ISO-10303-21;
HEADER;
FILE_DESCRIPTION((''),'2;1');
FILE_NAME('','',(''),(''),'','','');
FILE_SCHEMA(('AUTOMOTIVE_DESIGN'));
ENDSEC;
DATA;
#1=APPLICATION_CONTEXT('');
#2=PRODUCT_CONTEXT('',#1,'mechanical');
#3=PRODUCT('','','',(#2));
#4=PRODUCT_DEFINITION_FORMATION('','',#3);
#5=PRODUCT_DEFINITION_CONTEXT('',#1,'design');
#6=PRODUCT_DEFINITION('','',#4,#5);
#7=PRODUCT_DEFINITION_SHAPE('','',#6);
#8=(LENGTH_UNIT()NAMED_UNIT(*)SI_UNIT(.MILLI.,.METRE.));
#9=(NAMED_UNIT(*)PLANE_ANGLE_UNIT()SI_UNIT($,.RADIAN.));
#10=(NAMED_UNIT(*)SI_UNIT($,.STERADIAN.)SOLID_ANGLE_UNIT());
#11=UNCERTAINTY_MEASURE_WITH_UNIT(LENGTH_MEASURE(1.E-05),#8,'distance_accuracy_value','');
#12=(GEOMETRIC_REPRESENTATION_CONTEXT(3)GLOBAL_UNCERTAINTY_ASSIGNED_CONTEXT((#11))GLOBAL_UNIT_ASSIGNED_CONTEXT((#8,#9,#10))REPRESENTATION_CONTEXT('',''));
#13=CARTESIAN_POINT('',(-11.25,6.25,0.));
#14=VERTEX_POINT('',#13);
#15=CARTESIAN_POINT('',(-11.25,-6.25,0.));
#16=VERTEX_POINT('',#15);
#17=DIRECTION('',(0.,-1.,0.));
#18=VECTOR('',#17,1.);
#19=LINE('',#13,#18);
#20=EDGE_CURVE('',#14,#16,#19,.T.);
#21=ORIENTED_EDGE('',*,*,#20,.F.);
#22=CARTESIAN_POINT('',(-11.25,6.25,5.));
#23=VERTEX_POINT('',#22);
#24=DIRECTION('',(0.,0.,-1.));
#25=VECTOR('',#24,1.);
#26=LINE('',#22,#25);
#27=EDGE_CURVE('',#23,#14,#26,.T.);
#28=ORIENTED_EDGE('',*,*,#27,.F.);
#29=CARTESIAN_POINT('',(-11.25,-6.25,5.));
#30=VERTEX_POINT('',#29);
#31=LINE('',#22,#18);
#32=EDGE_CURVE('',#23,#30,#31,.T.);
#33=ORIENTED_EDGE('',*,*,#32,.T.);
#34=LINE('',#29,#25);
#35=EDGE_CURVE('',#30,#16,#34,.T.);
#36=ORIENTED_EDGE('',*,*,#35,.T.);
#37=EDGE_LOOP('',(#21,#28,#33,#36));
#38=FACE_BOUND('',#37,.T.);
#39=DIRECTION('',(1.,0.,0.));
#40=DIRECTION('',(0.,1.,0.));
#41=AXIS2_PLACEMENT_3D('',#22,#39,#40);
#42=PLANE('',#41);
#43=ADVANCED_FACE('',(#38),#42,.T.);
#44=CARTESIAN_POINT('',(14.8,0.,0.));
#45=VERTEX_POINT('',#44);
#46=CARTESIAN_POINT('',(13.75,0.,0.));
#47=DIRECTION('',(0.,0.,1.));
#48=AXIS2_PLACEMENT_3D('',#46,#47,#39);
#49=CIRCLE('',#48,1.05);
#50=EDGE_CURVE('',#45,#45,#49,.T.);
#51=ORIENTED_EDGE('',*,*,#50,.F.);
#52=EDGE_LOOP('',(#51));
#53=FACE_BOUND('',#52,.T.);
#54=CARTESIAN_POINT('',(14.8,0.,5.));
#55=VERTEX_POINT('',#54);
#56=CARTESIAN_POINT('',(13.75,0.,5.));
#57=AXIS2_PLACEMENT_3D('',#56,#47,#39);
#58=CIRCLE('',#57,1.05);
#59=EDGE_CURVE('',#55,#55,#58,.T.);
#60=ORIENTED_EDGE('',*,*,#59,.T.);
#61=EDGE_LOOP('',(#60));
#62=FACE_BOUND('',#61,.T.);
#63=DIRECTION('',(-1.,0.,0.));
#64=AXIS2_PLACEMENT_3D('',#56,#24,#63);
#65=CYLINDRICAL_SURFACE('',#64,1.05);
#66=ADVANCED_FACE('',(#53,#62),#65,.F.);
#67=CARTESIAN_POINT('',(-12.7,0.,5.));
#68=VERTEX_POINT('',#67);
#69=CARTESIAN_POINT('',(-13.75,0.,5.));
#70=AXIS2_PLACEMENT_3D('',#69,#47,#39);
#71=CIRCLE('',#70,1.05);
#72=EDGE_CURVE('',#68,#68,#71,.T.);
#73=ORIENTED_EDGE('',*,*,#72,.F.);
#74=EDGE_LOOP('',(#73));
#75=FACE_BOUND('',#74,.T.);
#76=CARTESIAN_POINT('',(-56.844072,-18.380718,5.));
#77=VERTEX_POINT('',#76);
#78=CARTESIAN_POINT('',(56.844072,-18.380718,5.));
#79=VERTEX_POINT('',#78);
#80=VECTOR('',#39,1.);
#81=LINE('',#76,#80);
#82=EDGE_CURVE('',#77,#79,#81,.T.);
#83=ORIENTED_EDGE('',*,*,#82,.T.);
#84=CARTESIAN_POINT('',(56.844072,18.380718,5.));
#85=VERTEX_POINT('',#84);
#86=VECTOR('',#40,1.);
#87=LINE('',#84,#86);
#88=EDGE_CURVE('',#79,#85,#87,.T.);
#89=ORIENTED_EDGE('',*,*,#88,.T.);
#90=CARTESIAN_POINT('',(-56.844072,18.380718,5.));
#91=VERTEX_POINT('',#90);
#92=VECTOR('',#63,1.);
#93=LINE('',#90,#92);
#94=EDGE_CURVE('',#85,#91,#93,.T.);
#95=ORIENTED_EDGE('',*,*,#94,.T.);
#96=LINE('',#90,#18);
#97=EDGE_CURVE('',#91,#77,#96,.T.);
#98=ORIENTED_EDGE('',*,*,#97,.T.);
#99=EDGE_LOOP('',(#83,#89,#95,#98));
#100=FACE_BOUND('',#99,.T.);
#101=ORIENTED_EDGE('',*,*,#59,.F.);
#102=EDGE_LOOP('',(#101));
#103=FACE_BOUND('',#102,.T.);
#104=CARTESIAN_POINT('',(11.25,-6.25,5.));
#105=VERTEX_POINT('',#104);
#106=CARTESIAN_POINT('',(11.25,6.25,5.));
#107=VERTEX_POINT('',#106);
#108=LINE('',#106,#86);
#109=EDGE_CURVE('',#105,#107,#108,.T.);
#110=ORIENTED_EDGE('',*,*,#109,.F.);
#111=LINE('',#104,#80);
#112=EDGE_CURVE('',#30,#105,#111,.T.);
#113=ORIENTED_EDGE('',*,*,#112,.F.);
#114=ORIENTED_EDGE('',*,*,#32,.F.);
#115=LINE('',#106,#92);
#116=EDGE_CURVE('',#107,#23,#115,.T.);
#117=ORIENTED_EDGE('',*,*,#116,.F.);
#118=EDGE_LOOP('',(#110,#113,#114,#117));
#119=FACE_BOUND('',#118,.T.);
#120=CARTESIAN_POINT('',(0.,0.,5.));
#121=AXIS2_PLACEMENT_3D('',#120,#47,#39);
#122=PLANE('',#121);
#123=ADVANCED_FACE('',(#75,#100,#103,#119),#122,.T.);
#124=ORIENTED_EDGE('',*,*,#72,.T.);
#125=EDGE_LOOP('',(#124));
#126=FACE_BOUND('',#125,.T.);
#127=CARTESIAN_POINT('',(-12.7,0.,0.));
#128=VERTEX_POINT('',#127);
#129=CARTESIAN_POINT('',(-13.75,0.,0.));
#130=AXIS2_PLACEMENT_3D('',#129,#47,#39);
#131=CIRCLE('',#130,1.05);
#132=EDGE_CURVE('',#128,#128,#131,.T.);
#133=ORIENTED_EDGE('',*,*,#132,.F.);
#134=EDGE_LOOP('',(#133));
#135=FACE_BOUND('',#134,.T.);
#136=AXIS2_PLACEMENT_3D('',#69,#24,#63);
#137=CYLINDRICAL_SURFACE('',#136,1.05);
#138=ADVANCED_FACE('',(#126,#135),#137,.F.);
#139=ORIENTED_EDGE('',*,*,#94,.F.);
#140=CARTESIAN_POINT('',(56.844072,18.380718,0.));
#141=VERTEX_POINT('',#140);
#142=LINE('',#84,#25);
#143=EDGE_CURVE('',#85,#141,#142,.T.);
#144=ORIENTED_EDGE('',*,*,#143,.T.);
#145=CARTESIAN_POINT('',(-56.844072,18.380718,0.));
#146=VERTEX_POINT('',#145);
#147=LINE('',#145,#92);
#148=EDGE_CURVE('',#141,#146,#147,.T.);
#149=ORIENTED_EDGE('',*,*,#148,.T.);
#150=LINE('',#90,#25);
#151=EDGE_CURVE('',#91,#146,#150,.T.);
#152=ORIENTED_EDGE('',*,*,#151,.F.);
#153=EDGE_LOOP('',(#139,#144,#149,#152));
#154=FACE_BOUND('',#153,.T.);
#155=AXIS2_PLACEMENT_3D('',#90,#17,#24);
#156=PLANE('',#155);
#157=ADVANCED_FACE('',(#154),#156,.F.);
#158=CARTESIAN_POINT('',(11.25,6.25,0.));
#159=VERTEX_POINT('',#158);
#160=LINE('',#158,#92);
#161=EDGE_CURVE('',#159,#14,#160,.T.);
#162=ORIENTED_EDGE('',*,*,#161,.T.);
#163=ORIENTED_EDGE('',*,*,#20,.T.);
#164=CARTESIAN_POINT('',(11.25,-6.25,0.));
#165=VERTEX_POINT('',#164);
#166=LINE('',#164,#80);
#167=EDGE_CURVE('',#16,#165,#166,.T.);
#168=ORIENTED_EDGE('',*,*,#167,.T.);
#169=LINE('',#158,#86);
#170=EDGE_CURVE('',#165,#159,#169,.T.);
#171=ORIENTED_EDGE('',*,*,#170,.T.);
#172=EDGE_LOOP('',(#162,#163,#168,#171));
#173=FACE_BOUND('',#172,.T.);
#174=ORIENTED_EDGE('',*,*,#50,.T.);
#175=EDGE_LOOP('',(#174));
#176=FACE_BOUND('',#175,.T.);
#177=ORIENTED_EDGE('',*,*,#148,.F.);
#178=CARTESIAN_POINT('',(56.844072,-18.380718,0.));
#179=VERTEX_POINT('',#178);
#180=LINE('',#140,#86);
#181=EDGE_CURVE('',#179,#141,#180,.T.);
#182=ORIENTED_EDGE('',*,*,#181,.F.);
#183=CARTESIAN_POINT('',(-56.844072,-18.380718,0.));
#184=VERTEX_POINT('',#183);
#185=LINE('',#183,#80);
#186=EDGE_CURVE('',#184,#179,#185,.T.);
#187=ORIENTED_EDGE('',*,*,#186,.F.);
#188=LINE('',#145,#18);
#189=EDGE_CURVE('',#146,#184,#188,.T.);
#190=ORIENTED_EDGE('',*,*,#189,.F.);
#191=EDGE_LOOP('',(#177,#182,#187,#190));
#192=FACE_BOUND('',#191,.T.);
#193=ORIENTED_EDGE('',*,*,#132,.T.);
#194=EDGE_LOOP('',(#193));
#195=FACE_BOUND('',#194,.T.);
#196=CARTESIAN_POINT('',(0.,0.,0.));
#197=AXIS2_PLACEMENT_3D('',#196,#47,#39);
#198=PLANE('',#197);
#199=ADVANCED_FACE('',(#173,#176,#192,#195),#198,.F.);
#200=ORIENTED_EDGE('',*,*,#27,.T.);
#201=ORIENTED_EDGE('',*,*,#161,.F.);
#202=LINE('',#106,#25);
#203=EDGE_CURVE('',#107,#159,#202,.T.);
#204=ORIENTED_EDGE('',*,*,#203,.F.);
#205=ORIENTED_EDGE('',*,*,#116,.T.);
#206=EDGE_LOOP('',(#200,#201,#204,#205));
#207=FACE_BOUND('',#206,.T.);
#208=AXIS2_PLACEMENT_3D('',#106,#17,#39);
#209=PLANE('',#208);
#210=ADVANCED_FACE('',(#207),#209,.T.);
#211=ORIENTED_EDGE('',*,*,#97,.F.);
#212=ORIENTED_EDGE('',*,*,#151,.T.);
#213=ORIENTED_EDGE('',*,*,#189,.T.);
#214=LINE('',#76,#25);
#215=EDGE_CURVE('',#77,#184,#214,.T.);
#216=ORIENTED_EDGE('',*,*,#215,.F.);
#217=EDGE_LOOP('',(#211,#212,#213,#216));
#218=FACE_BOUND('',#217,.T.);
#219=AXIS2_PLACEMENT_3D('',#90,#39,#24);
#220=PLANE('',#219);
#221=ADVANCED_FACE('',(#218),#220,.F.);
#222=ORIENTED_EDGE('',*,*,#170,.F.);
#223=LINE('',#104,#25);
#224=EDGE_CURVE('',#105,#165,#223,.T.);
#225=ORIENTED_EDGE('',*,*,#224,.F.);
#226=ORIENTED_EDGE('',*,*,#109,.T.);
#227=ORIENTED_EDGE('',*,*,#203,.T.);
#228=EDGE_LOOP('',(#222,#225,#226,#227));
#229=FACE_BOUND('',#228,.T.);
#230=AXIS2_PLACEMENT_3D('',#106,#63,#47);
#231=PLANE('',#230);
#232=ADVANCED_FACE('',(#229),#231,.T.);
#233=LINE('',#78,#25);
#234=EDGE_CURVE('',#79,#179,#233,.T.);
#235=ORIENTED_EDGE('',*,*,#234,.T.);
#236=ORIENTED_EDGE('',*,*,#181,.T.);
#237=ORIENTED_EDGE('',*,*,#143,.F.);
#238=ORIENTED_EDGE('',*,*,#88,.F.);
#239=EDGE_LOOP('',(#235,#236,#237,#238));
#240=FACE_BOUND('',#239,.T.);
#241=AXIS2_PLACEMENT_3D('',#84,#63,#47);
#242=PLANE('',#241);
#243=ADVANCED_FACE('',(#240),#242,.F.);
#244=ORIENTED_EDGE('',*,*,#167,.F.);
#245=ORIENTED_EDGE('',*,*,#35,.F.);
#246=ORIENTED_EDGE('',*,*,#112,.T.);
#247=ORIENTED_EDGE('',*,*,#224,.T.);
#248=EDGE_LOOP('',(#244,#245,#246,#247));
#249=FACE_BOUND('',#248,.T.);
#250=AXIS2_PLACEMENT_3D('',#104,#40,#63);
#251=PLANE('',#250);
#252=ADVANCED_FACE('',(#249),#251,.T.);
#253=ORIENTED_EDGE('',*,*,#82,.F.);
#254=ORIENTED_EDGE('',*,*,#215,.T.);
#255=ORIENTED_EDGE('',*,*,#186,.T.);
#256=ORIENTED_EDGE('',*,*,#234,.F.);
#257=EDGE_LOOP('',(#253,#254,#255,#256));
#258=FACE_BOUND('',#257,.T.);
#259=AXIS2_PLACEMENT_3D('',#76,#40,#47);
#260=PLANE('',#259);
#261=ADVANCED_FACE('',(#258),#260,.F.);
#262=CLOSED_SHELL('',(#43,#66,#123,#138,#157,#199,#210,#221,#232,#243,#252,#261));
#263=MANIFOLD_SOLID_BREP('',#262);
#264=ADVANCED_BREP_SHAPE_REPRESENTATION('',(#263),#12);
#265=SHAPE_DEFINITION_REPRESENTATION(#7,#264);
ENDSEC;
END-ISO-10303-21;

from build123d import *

# Parameters (mm, degrees)
SKETCH_1_W      = 113.688143332
SKETCH_1_H      = 36.761435568
SKETCH_1_R      = 1.05
SKETCH_1_W_2    = 22.5
SKETCH_1_H_2    = 12.5
EXTRUDE_1_DEPTH = 5


with BuildPart() as part:
    # ｽｹｯﾁ1 → ﾎﾞｽ - 押し出し1 (new body)
    with BuildSketch(Plane.XY):
        Rectangle(SKETCH_1_W, SKETCH_1_H)
        with Locations((-13.75, 0)):
            Circle(SKETCH_1_R, mode=Mode.SUBTRACT)
        with Locations((13.75, 0)):
            Circle(SKETCH_1_R, mode=Mode.SUBTRACT)
        Rectangle(SKETCH_1_W_2, SKETCH_1_H_2, mode=Mode.SUBTRACT)
    extrude(amount=EXTRUDE_1_DEPTH)


solid = part.part
